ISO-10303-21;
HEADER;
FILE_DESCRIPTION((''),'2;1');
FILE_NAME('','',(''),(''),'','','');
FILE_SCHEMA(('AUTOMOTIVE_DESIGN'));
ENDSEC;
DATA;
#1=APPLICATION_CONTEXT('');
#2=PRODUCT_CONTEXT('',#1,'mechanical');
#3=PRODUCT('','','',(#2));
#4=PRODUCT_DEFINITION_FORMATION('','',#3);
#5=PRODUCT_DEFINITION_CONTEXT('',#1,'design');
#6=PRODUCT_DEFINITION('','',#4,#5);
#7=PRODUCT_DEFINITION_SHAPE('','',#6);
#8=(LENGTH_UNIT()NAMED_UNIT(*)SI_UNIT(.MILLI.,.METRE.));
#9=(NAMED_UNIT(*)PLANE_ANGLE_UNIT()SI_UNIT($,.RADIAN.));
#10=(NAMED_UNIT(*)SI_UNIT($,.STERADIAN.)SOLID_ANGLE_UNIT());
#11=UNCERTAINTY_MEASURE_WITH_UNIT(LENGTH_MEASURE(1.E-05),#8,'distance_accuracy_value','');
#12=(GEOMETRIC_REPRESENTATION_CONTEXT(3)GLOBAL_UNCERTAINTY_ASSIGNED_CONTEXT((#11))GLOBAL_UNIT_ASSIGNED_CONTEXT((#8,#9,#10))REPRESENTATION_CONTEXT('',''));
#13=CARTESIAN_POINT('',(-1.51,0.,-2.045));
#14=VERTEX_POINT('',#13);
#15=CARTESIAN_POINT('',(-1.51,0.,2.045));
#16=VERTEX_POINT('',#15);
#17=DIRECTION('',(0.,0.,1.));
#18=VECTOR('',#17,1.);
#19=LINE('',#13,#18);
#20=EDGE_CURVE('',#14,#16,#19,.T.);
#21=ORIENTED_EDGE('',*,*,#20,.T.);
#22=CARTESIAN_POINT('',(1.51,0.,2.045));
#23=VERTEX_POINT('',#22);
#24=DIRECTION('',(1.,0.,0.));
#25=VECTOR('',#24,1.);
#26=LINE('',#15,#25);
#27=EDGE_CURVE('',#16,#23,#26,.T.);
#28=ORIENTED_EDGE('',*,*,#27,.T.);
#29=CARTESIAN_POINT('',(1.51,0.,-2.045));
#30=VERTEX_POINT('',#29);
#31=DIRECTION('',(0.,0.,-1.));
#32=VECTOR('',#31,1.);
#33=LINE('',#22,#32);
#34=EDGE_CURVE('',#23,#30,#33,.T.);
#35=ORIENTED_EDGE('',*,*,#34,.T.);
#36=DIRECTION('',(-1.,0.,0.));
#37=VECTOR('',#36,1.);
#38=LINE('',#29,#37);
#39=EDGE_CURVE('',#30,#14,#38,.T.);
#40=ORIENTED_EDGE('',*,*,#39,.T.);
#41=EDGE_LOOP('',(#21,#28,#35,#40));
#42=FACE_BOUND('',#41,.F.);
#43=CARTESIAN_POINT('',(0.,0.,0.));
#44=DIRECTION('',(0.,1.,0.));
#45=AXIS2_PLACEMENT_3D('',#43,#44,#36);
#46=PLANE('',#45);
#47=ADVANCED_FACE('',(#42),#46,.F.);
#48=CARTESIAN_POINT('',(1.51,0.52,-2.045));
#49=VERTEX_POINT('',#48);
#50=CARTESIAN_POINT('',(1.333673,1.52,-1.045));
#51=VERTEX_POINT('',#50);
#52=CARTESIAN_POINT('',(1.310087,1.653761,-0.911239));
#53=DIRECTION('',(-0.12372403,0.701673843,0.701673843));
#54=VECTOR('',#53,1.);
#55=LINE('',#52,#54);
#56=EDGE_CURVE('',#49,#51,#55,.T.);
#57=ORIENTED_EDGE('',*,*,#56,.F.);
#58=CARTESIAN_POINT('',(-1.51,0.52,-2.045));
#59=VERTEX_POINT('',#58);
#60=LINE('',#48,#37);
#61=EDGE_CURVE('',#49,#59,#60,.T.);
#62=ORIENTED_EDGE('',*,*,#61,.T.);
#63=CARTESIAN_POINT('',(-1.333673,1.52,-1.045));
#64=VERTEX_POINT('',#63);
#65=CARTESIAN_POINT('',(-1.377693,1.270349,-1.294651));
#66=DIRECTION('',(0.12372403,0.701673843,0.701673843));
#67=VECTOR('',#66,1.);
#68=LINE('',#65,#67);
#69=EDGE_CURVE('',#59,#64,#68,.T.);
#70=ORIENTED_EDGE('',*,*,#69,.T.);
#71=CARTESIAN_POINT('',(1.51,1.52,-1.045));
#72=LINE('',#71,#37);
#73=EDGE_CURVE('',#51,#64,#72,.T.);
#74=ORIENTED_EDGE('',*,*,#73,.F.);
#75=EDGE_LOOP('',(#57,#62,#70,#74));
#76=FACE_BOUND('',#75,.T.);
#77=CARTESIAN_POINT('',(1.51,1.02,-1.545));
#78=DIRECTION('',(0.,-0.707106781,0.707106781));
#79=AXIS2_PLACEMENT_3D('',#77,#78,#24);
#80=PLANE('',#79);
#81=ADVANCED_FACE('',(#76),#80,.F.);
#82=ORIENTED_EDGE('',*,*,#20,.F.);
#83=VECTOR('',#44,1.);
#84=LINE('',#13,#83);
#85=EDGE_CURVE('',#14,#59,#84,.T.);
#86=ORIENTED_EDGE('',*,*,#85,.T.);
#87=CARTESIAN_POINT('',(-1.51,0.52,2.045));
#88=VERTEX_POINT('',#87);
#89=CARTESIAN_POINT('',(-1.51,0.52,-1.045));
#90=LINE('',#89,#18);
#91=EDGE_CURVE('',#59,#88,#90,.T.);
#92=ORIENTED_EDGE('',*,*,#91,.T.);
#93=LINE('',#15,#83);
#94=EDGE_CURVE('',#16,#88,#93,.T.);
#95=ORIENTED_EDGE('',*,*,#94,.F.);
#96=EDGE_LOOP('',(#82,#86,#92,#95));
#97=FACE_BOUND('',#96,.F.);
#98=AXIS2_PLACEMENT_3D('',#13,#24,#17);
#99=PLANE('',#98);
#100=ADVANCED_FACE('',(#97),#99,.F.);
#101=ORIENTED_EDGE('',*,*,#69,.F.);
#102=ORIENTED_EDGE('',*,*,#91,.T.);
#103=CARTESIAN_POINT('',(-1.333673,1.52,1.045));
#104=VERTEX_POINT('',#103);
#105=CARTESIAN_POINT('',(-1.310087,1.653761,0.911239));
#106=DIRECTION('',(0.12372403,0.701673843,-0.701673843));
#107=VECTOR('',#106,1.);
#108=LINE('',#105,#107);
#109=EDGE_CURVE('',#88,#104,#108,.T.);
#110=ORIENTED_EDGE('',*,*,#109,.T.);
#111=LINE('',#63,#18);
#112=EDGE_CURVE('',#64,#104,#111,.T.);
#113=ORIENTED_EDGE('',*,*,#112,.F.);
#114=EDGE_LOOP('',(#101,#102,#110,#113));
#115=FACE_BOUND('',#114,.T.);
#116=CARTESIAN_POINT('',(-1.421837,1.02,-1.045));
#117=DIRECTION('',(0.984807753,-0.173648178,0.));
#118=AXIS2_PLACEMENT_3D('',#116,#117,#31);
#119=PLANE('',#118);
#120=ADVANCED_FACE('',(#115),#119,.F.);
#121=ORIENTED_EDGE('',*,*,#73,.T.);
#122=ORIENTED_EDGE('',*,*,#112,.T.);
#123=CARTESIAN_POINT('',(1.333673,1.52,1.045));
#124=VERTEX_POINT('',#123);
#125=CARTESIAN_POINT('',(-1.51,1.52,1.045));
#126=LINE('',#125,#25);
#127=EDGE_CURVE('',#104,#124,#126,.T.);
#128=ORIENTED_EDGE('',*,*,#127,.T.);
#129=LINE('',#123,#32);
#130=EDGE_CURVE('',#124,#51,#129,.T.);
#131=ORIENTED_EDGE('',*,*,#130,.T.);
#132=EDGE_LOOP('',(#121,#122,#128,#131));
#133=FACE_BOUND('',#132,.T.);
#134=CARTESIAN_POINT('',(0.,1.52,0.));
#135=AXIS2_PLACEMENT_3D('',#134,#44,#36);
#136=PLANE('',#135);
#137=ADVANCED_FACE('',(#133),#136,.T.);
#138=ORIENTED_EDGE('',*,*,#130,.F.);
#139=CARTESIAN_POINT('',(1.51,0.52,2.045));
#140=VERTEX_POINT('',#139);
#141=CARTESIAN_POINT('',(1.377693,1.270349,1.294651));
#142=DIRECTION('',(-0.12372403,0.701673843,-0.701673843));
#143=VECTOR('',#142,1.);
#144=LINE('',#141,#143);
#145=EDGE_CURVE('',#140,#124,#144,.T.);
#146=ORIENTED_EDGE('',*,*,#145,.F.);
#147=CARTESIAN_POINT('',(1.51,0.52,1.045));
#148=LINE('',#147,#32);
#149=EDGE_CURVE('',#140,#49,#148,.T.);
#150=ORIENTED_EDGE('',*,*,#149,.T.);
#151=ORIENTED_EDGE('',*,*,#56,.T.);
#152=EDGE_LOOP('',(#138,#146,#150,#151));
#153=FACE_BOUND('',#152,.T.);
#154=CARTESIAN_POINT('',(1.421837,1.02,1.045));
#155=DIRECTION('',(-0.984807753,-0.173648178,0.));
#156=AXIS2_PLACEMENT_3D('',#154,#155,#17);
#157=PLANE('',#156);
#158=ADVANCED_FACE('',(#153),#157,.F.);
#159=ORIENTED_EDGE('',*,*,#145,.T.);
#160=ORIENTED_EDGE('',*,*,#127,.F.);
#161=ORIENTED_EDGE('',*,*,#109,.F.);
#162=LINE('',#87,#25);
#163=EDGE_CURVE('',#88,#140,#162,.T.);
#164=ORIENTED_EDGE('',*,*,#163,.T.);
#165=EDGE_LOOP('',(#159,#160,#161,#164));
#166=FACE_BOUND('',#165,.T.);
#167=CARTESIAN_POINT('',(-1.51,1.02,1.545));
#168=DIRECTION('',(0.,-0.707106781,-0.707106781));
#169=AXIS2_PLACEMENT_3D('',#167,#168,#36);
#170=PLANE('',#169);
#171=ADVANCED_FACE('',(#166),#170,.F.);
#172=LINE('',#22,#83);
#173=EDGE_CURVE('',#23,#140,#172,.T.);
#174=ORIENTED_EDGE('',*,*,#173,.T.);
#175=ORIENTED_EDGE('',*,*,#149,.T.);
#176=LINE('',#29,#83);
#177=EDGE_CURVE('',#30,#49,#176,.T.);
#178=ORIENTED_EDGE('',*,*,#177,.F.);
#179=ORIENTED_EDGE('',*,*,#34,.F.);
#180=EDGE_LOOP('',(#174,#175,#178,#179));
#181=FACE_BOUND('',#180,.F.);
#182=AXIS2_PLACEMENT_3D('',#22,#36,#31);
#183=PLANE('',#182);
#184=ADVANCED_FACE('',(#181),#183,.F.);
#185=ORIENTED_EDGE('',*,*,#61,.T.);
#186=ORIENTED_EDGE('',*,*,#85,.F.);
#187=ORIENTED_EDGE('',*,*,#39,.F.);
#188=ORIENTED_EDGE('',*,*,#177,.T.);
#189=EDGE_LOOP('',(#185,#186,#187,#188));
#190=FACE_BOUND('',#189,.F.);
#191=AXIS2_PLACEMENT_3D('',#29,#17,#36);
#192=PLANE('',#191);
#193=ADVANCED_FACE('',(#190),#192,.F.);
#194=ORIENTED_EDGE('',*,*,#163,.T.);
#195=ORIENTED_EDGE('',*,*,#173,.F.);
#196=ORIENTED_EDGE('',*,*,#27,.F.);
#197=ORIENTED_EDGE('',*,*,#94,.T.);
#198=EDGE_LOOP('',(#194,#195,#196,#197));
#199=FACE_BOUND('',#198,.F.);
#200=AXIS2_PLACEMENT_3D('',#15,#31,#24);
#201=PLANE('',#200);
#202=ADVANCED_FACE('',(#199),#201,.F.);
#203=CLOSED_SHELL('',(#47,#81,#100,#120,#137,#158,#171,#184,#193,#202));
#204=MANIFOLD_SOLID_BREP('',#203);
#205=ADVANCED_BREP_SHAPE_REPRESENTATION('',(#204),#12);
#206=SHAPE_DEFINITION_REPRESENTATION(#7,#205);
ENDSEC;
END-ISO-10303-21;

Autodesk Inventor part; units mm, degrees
ref_plane "YZ Plane" through (0, 0, 0) normal (1, 0, 0) x (0, 1, 0)
ref_plane "XZ Plane" through (0, 0, 0) normal (0, 1, 0) x (-1, 0, 0)
ref_plane "XY Plane" through (0, 0, 0) normal (0, 0, 1) x (1, 0, 0)
sketch "Sketch1" plane through (0, 0, 0) normal (0, 1, 0) x (-1, 0, 0)
  line L0 (1.51, 2.045) -> (-1.51, 2.045)
  line L1 (-1.51, 2.045) -> (-1.51, -2.045)
  line L2 (-1.51, -2.045) -> (1.51, -2.045)
  line L3 (1.51, -2.045) -> (1.51, 2.045)
  point P0 (0, 0)
  dimension "d0" = 1.51
  dimension "d1" = 1.51
  dimension "d2" = 2.045
  dimension "d3" = 2.045
extrude "Extrusion1" add sketch "Sketch1" along normal blind 1.52
chamfer "Chamfer1" distance 1 angle 45 2 edges at (0, 1.52, 2.045) (0, 1.52, -2.045) measured on face at (0.5033, 1.52, 0.6817)
chamfer "Chamfer2" distance 1 angle 10 1 edges at (-1.51, 1.52, 0) measured on face at (-1.51, 0.5067, -0.3483)
chamfer "Chamfer3" distance 1 angle 10 1 edges at (1.51, 1.52, 0) measured on face at (1.51, 0.5067, 0.3483)
equation "\"d1\" = d0"
equation "\"d3\" = d2"
properties part number "Sensor"
